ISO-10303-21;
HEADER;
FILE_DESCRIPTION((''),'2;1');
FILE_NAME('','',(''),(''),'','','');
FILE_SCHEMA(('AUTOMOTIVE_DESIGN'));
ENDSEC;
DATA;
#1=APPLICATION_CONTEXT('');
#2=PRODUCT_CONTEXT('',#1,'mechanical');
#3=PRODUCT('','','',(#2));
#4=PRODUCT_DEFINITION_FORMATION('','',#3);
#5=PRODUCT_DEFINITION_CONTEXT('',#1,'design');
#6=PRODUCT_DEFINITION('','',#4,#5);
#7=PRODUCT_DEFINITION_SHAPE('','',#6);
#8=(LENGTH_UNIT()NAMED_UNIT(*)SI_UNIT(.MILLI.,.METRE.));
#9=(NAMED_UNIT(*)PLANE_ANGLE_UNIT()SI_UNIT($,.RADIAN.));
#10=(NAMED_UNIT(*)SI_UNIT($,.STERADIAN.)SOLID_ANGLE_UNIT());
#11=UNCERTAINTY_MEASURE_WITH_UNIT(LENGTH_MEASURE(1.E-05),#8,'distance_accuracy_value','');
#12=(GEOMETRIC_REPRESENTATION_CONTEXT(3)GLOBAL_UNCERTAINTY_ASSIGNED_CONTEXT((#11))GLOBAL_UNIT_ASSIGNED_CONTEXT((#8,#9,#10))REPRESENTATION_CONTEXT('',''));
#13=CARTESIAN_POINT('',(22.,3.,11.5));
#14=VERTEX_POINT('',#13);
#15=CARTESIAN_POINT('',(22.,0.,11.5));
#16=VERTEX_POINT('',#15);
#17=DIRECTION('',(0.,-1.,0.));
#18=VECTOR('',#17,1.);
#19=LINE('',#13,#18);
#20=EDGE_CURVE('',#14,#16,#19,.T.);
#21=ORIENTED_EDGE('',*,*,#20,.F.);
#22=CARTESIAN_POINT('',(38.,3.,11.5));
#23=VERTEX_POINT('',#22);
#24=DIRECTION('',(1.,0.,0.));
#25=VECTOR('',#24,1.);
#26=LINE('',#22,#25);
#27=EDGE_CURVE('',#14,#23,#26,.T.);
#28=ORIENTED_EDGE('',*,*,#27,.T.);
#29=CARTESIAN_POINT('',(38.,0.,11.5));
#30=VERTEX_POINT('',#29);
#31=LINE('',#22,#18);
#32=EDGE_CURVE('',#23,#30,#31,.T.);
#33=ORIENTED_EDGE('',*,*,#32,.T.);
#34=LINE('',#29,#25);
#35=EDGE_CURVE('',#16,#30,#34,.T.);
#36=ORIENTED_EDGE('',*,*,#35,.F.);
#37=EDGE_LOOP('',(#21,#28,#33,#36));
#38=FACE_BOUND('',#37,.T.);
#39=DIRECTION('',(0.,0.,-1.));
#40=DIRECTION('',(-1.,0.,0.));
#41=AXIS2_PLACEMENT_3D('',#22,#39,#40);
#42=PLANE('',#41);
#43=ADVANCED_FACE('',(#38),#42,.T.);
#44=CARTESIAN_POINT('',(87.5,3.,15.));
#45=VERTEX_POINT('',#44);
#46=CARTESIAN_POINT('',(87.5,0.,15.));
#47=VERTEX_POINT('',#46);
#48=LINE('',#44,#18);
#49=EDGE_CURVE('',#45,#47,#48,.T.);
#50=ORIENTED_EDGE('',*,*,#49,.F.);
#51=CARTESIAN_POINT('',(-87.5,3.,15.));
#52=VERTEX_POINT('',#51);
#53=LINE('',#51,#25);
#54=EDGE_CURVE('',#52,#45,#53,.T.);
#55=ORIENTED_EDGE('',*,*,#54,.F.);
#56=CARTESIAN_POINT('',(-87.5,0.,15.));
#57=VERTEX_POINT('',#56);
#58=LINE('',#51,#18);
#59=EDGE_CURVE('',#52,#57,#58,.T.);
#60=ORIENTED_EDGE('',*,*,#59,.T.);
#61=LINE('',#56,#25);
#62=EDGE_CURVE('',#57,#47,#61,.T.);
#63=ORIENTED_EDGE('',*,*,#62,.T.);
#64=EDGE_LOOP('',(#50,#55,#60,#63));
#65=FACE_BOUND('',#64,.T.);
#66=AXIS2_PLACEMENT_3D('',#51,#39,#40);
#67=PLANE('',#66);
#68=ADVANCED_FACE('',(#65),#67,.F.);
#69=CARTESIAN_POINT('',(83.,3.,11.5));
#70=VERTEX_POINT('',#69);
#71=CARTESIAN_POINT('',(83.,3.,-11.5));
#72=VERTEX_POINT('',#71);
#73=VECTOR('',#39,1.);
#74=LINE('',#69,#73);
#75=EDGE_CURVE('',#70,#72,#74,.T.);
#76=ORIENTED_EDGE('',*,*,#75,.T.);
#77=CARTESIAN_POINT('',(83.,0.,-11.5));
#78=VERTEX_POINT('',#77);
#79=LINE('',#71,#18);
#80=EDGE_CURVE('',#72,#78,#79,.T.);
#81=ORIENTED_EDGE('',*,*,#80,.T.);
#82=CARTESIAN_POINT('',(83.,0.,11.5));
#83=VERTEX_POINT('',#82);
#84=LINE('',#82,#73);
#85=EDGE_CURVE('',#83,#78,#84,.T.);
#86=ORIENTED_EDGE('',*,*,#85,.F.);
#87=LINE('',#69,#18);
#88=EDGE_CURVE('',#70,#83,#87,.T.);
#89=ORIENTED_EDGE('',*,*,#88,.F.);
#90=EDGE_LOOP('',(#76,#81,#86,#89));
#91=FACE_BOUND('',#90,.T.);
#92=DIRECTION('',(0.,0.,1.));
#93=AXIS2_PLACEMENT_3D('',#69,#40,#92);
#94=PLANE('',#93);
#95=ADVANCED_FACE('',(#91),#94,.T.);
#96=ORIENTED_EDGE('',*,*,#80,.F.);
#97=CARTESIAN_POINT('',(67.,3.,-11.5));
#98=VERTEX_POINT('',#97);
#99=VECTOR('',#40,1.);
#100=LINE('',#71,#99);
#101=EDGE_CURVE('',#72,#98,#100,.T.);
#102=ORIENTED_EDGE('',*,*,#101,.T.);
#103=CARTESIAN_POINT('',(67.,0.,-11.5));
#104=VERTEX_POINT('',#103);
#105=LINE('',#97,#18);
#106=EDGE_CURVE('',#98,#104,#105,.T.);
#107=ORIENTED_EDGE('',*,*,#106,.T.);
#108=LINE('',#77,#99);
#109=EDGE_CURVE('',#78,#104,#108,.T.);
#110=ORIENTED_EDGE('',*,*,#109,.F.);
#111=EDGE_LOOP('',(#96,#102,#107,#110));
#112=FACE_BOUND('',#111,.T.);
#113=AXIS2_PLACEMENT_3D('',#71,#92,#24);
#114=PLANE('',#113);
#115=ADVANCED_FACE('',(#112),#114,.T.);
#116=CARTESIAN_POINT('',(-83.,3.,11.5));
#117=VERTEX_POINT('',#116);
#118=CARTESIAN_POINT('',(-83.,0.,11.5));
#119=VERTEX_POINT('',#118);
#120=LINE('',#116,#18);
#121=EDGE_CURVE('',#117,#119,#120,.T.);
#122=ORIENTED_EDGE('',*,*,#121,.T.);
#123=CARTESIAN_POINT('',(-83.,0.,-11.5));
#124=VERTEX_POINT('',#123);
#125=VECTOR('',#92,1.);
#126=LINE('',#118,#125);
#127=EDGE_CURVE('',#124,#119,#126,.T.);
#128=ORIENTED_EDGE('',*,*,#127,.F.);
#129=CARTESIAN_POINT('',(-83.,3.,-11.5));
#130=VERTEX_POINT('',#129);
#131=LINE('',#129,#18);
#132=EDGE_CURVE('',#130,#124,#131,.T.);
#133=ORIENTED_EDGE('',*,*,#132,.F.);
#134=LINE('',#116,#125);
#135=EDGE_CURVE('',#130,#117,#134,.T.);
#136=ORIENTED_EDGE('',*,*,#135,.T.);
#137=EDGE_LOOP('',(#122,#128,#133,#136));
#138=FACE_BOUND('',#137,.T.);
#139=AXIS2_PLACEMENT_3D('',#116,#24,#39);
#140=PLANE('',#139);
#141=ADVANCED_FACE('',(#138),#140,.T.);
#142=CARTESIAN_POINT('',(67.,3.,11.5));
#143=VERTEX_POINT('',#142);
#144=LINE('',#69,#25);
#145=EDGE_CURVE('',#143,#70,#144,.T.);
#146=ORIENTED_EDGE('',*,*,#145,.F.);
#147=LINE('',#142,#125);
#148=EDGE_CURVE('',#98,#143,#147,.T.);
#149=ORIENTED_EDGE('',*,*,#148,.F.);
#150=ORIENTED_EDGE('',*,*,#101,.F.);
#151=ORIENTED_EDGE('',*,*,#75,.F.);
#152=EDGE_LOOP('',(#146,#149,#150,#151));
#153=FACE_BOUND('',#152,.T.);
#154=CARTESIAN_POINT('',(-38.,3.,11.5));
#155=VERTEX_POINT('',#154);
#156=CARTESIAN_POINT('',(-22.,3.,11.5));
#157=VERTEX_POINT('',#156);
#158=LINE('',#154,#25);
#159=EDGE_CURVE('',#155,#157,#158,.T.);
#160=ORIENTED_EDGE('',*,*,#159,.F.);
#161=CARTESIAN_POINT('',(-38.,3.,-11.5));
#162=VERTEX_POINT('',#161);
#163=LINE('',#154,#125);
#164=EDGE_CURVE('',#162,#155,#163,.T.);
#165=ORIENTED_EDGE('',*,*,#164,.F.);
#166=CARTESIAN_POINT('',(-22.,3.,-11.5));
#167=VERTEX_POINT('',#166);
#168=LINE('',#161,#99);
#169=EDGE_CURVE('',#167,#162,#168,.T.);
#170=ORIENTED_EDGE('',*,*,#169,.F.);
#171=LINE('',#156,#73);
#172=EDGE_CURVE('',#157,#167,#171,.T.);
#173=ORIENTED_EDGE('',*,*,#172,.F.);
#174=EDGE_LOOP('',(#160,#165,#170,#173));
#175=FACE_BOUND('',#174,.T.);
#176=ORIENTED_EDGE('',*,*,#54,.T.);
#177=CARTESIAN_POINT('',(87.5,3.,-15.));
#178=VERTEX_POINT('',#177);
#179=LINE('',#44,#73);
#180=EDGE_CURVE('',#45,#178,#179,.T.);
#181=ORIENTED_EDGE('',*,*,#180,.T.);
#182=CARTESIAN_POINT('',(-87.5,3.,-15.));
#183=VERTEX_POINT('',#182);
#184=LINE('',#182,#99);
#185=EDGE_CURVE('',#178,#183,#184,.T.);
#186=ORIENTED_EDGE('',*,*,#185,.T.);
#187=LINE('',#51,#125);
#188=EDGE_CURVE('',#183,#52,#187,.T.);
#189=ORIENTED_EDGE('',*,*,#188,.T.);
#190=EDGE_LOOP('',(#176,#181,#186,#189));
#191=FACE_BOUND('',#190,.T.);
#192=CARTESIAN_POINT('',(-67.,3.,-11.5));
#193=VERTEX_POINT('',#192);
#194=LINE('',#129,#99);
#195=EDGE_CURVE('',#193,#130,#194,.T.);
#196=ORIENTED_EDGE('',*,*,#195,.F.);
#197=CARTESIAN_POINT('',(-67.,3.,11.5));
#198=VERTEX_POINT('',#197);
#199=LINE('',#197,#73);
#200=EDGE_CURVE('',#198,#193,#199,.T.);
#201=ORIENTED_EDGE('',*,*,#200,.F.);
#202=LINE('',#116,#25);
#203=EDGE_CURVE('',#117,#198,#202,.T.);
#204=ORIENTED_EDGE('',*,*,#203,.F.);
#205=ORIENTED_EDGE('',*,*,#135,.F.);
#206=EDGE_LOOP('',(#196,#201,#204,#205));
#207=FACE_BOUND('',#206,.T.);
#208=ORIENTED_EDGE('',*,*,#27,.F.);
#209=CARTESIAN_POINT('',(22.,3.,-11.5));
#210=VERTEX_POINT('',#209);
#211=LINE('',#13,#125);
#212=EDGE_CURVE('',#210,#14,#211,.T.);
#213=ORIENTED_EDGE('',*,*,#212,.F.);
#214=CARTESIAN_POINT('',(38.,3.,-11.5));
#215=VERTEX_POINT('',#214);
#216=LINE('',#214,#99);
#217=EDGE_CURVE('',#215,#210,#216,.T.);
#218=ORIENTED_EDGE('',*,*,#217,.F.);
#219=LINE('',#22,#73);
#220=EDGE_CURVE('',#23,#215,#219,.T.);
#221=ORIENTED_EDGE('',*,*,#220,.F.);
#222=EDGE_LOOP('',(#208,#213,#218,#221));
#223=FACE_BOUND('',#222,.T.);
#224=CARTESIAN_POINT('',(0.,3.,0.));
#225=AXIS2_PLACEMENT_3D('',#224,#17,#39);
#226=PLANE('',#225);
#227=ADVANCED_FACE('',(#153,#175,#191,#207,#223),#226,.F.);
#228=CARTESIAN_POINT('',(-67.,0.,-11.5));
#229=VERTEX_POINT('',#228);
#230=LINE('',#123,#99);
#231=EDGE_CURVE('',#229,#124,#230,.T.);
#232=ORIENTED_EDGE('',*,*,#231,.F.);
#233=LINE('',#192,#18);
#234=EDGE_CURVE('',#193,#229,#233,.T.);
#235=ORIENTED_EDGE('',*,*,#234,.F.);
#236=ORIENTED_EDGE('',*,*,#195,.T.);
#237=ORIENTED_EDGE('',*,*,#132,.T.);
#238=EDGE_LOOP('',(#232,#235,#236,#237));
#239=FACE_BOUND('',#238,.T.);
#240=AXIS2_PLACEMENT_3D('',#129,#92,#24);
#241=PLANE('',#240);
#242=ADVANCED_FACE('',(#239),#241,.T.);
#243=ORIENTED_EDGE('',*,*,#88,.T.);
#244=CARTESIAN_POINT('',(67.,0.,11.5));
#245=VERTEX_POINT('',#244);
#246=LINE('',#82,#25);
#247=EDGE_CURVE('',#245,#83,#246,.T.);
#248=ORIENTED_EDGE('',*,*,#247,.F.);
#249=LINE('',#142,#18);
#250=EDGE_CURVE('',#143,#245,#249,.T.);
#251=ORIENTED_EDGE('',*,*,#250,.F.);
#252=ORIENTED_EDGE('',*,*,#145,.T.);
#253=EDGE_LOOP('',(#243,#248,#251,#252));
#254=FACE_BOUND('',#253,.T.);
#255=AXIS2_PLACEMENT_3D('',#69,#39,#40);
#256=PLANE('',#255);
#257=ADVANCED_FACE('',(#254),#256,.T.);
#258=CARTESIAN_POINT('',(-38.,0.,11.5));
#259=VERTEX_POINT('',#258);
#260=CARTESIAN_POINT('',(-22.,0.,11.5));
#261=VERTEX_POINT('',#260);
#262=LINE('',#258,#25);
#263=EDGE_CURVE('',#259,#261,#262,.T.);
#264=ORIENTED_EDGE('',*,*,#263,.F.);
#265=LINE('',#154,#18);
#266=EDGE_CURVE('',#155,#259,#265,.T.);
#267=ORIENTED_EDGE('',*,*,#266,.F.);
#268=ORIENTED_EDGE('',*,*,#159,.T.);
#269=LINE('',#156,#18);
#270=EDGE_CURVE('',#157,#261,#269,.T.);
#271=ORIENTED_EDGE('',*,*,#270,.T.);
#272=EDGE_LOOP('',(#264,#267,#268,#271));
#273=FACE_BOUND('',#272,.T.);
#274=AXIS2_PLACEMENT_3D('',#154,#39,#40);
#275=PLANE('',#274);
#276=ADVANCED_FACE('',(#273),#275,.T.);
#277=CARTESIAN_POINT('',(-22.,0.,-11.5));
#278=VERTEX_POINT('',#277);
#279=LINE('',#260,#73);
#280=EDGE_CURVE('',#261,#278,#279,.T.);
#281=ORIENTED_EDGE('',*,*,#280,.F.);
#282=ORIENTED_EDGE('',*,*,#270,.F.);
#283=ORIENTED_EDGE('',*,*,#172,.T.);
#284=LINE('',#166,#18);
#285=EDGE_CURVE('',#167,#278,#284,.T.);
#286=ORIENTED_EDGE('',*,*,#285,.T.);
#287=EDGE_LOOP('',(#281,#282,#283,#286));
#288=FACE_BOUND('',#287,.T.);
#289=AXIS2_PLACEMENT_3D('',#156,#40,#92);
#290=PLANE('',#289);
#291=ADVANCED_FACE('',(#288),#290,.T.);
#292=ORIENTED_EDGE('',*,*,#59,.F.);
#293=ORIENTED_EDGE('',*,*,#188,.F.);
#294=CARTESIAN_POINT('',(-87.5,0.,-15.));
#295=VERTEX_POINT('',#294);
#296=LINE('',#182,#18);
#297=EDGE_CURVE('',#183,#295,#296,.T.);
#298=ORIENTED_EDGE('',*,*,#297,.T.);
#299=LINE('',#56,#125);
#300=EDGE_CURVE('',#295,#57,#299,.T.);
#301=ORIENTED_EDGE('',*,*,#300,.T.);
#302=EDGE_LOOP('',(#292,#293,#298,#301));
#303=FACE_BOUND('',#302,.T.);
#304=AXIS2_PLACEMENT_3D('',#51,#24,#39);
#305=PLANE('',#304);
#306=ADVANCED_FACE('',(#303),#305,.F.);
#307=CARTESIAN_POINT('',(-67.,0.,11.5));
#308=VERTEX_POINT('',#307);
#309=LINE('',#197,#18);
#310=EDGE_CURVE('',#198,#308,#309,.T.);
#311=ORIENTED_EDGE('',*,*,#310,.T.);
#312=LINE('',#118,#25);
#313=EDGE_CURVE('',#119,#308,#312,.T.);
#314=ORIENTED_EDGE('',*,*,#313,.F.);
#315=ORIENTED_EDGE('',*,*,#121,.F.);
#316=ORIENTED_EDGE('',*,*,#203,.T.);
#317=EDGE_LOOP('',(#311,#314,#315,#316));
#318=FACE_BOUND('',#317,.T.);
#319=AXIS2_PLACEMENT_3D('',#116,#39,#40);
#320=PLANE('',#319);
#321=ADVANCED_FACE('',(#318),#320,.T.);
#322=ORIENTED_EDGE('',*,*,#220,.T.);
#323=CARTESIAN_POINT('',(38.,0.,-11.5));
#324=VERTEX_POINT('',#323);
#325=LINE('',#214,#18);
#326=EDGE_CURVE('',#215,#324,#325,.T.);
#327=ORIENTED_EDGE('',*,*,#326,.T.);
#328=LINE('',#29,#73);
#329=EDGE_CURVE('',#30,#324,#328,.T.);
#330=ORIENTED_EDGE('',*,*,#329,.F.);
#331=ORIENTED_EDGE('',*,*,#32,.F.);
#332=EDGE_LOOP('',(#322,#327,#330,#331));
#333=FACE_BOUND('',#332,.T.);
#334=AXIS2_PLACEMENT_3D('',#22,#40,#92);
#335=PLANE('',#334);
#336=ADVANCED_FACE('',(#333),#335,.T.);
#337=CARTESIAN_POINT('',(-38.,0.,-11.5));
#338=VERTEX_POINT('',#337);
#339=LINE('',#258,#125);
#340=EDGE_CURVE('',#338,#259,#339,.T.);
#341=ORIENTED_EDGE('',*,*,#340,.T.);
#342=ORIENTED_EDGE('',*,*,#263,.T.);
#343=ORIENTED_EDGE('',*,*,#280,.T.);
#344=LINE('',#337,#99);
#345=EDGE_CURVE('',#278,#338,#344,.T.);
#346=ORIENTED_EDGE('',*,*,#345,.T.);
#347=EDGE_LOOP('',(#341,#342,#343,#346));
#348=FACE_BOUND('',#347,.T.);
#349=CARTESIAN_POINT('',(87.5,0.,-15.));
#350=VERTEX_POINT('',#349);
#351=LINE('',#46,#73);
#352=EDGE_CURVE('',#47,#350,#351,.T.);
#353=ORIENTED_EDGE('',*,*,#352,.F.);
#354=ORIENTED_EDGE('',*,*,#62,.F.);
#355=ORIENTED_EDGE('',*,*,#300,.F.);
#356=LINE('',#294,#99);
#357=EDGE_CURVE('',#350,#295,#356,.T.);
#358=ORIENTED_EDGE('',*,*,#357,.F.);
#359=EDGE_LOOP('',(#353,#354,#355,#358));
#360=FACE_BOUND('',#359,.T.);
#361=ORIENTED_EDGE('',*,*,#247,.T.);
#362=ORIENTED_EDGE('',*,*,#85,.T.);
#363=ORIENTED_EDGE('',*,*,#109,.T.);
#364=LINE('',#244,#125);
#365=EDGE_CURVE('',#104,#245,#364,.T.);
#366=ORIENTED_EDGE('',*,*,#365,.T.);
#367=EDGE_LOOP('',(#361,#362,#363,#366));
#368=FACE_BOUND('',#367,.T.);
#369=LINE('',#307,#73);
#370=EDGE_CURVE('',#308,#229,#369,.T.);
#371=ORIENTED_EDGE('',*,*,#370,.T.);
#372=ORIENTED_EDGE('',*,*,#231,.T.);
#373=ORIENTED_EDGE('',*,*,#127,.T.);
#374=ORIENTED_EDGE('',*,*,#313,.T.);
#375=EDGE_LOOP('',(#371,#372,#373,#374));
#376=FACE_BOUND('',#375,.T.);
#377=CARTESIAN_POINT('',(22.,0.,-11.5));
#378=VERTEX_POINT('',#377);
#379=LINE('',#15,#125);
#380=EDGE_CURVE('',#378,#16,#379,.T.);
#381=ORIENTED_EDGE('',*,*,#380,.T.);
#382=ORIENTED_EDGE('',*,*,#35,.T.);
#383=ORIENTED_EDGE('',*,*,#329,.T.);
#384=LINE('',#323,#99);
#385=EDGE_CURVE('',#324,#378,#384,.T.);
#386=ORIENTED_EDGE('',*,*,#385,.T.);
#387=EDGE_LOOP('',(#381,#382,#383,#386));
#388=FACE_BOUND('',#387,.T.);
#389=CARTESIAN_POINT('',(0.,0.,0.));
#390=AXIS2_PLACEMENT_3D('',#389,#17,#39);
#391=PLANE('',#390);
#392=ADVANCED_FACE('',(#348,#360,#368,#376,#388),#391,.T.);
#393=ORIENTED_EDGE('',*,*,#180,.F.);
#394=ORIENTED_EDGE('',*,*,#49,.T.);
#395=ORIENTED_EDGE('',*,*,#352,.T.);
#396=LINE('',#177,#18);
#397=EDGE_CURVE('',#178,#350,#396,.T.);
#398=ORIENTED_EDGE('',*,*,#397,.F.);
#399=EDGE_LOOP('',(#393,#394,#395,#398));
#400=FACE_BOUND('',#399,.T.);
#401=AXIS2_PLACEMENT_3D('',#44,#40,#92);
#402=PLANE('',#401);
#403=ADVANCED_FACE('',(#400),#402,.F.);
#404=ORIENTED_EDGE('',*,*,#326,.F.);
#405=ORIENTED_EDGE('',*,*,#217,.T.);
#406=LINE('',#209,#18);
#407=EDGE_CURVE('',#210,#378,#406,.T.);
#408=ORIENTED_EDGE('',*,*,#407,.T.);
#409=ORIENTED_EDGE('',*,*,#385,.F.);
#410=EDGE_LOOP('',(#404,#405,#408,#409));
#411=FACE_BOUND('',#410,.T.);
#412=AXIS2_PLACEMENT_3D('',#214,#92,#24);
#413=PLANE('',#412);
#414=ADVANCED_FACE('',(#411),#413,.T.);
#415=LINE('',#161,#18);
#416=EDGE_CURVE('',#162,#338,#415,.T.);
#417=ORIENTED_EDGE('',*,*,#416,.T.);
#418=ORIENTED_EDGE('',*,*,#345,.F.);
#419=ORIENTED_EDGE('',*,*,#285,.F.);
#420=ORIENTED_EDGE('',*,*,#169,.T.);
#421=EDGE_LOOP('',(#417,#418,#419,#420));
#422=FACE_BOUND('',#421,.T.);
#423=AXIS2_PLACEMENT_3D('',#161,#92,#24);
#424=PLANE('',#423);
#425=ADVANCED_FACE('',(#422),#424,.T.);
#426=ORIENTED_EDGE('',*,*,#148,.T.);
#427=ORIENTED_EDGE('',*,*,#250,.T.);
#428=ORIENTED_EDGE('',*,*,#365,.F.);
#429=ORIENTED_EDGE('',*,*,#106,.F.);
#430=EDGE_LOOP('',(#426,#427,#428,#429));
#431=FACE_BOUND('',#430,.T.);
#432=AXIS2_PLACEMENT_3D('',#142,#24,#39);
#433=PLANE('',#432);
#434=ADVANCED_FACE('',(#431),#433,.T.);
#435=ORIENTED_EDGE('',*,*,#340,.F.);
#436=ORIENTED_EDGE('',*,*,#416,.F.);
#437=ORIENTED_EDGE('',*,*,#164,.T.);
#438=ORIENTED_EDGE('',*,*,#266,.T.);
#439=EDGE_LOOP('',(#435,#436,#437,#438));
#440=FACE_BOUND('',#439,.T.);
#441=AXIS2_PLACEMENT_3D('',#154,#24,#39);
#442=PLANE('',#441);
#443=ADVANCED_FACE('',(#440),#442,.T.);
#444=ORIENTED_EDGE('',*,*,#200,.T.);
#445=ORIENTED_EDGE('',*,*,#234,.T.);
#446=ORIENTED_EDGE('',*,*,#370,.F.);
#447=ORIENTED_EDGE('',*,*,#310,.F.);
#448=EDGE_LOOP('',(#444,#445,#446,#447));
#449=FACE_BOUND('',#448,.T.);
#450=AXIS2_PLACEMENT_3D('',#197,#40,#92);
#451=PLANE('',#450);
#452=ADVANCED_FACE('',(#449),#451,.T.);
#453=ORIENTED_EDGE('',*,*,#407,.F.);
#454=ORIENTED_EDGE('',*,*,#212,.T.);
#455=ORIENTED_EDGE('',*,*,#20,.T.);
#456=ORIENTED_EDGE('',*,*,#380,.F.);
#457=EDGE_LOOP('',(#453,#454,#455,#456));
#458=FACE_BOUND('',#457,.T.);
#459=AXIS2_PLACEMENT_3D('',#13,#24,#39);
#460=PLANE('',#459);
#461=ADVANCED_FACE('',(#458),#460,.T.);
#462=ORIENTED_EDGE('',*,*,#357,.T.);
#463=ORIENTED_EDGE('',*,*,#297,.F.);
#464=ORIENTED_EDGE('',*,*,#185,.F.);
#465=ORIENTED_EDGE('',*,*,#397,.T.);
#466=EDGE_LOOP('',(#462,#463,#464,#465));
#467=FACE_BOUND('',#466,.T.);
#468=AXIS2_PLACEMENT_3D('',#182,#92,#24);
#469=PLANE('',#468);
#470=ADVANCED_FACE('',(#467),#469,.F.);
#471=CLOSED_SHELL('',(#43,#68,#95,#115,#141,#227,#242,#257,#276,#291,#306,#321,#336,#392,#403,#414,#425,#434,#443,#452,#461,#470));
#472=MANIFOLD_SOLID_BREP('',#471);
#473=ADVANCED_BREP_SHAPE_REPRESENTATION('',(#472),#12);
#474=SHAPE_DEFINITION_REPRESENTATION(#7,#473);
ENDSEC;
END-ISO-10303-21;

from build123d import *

# Parameters (mm, degrees)
CROQUIS1_W              = 175
CROQUIS1_H              = 30
CROQUIS1_W_2            = 16
CROQUIS1_H_2            = 23
SALIENTE_EXTRUIR1_DEPTH = 3


with BuildPart() as part:
    # Croquis1 → Saliente-Extruir1 (new body)
    with BuildSketch(Plane(origin=(0, 0, 0), x_dir=(1, 0, 0), z_dir=(0, 1, 0))):
        Rectangle(CROQUIS1_W, CROQUIS1_H)
        with Locations((-75, 0)):
            Rectangle(CROQUIS1_W_2, CROQUIS1_H_2, mode=Mode.SUBTRACT)
        with Locations((30, 0)):
            Rectangle(CROQUIS1_W_2, CROQUIS1_H_2, mode=Mode.SUBTRACT)
        with Locations((-30, 0)):
            Rectangle(CROQUIS1_W_2, CROQUIS1_H_2, mode=Mode.SUBTRACT)
        with Locations((75, 0)):
            Rectangle(CROQUIS1_W_2, CROQUIS1_H_2, mode=Mode.SUBTRACT)
    extrude(amount=SALIENTE_EXTRUIR1_DEPTH)


solid = part.part
